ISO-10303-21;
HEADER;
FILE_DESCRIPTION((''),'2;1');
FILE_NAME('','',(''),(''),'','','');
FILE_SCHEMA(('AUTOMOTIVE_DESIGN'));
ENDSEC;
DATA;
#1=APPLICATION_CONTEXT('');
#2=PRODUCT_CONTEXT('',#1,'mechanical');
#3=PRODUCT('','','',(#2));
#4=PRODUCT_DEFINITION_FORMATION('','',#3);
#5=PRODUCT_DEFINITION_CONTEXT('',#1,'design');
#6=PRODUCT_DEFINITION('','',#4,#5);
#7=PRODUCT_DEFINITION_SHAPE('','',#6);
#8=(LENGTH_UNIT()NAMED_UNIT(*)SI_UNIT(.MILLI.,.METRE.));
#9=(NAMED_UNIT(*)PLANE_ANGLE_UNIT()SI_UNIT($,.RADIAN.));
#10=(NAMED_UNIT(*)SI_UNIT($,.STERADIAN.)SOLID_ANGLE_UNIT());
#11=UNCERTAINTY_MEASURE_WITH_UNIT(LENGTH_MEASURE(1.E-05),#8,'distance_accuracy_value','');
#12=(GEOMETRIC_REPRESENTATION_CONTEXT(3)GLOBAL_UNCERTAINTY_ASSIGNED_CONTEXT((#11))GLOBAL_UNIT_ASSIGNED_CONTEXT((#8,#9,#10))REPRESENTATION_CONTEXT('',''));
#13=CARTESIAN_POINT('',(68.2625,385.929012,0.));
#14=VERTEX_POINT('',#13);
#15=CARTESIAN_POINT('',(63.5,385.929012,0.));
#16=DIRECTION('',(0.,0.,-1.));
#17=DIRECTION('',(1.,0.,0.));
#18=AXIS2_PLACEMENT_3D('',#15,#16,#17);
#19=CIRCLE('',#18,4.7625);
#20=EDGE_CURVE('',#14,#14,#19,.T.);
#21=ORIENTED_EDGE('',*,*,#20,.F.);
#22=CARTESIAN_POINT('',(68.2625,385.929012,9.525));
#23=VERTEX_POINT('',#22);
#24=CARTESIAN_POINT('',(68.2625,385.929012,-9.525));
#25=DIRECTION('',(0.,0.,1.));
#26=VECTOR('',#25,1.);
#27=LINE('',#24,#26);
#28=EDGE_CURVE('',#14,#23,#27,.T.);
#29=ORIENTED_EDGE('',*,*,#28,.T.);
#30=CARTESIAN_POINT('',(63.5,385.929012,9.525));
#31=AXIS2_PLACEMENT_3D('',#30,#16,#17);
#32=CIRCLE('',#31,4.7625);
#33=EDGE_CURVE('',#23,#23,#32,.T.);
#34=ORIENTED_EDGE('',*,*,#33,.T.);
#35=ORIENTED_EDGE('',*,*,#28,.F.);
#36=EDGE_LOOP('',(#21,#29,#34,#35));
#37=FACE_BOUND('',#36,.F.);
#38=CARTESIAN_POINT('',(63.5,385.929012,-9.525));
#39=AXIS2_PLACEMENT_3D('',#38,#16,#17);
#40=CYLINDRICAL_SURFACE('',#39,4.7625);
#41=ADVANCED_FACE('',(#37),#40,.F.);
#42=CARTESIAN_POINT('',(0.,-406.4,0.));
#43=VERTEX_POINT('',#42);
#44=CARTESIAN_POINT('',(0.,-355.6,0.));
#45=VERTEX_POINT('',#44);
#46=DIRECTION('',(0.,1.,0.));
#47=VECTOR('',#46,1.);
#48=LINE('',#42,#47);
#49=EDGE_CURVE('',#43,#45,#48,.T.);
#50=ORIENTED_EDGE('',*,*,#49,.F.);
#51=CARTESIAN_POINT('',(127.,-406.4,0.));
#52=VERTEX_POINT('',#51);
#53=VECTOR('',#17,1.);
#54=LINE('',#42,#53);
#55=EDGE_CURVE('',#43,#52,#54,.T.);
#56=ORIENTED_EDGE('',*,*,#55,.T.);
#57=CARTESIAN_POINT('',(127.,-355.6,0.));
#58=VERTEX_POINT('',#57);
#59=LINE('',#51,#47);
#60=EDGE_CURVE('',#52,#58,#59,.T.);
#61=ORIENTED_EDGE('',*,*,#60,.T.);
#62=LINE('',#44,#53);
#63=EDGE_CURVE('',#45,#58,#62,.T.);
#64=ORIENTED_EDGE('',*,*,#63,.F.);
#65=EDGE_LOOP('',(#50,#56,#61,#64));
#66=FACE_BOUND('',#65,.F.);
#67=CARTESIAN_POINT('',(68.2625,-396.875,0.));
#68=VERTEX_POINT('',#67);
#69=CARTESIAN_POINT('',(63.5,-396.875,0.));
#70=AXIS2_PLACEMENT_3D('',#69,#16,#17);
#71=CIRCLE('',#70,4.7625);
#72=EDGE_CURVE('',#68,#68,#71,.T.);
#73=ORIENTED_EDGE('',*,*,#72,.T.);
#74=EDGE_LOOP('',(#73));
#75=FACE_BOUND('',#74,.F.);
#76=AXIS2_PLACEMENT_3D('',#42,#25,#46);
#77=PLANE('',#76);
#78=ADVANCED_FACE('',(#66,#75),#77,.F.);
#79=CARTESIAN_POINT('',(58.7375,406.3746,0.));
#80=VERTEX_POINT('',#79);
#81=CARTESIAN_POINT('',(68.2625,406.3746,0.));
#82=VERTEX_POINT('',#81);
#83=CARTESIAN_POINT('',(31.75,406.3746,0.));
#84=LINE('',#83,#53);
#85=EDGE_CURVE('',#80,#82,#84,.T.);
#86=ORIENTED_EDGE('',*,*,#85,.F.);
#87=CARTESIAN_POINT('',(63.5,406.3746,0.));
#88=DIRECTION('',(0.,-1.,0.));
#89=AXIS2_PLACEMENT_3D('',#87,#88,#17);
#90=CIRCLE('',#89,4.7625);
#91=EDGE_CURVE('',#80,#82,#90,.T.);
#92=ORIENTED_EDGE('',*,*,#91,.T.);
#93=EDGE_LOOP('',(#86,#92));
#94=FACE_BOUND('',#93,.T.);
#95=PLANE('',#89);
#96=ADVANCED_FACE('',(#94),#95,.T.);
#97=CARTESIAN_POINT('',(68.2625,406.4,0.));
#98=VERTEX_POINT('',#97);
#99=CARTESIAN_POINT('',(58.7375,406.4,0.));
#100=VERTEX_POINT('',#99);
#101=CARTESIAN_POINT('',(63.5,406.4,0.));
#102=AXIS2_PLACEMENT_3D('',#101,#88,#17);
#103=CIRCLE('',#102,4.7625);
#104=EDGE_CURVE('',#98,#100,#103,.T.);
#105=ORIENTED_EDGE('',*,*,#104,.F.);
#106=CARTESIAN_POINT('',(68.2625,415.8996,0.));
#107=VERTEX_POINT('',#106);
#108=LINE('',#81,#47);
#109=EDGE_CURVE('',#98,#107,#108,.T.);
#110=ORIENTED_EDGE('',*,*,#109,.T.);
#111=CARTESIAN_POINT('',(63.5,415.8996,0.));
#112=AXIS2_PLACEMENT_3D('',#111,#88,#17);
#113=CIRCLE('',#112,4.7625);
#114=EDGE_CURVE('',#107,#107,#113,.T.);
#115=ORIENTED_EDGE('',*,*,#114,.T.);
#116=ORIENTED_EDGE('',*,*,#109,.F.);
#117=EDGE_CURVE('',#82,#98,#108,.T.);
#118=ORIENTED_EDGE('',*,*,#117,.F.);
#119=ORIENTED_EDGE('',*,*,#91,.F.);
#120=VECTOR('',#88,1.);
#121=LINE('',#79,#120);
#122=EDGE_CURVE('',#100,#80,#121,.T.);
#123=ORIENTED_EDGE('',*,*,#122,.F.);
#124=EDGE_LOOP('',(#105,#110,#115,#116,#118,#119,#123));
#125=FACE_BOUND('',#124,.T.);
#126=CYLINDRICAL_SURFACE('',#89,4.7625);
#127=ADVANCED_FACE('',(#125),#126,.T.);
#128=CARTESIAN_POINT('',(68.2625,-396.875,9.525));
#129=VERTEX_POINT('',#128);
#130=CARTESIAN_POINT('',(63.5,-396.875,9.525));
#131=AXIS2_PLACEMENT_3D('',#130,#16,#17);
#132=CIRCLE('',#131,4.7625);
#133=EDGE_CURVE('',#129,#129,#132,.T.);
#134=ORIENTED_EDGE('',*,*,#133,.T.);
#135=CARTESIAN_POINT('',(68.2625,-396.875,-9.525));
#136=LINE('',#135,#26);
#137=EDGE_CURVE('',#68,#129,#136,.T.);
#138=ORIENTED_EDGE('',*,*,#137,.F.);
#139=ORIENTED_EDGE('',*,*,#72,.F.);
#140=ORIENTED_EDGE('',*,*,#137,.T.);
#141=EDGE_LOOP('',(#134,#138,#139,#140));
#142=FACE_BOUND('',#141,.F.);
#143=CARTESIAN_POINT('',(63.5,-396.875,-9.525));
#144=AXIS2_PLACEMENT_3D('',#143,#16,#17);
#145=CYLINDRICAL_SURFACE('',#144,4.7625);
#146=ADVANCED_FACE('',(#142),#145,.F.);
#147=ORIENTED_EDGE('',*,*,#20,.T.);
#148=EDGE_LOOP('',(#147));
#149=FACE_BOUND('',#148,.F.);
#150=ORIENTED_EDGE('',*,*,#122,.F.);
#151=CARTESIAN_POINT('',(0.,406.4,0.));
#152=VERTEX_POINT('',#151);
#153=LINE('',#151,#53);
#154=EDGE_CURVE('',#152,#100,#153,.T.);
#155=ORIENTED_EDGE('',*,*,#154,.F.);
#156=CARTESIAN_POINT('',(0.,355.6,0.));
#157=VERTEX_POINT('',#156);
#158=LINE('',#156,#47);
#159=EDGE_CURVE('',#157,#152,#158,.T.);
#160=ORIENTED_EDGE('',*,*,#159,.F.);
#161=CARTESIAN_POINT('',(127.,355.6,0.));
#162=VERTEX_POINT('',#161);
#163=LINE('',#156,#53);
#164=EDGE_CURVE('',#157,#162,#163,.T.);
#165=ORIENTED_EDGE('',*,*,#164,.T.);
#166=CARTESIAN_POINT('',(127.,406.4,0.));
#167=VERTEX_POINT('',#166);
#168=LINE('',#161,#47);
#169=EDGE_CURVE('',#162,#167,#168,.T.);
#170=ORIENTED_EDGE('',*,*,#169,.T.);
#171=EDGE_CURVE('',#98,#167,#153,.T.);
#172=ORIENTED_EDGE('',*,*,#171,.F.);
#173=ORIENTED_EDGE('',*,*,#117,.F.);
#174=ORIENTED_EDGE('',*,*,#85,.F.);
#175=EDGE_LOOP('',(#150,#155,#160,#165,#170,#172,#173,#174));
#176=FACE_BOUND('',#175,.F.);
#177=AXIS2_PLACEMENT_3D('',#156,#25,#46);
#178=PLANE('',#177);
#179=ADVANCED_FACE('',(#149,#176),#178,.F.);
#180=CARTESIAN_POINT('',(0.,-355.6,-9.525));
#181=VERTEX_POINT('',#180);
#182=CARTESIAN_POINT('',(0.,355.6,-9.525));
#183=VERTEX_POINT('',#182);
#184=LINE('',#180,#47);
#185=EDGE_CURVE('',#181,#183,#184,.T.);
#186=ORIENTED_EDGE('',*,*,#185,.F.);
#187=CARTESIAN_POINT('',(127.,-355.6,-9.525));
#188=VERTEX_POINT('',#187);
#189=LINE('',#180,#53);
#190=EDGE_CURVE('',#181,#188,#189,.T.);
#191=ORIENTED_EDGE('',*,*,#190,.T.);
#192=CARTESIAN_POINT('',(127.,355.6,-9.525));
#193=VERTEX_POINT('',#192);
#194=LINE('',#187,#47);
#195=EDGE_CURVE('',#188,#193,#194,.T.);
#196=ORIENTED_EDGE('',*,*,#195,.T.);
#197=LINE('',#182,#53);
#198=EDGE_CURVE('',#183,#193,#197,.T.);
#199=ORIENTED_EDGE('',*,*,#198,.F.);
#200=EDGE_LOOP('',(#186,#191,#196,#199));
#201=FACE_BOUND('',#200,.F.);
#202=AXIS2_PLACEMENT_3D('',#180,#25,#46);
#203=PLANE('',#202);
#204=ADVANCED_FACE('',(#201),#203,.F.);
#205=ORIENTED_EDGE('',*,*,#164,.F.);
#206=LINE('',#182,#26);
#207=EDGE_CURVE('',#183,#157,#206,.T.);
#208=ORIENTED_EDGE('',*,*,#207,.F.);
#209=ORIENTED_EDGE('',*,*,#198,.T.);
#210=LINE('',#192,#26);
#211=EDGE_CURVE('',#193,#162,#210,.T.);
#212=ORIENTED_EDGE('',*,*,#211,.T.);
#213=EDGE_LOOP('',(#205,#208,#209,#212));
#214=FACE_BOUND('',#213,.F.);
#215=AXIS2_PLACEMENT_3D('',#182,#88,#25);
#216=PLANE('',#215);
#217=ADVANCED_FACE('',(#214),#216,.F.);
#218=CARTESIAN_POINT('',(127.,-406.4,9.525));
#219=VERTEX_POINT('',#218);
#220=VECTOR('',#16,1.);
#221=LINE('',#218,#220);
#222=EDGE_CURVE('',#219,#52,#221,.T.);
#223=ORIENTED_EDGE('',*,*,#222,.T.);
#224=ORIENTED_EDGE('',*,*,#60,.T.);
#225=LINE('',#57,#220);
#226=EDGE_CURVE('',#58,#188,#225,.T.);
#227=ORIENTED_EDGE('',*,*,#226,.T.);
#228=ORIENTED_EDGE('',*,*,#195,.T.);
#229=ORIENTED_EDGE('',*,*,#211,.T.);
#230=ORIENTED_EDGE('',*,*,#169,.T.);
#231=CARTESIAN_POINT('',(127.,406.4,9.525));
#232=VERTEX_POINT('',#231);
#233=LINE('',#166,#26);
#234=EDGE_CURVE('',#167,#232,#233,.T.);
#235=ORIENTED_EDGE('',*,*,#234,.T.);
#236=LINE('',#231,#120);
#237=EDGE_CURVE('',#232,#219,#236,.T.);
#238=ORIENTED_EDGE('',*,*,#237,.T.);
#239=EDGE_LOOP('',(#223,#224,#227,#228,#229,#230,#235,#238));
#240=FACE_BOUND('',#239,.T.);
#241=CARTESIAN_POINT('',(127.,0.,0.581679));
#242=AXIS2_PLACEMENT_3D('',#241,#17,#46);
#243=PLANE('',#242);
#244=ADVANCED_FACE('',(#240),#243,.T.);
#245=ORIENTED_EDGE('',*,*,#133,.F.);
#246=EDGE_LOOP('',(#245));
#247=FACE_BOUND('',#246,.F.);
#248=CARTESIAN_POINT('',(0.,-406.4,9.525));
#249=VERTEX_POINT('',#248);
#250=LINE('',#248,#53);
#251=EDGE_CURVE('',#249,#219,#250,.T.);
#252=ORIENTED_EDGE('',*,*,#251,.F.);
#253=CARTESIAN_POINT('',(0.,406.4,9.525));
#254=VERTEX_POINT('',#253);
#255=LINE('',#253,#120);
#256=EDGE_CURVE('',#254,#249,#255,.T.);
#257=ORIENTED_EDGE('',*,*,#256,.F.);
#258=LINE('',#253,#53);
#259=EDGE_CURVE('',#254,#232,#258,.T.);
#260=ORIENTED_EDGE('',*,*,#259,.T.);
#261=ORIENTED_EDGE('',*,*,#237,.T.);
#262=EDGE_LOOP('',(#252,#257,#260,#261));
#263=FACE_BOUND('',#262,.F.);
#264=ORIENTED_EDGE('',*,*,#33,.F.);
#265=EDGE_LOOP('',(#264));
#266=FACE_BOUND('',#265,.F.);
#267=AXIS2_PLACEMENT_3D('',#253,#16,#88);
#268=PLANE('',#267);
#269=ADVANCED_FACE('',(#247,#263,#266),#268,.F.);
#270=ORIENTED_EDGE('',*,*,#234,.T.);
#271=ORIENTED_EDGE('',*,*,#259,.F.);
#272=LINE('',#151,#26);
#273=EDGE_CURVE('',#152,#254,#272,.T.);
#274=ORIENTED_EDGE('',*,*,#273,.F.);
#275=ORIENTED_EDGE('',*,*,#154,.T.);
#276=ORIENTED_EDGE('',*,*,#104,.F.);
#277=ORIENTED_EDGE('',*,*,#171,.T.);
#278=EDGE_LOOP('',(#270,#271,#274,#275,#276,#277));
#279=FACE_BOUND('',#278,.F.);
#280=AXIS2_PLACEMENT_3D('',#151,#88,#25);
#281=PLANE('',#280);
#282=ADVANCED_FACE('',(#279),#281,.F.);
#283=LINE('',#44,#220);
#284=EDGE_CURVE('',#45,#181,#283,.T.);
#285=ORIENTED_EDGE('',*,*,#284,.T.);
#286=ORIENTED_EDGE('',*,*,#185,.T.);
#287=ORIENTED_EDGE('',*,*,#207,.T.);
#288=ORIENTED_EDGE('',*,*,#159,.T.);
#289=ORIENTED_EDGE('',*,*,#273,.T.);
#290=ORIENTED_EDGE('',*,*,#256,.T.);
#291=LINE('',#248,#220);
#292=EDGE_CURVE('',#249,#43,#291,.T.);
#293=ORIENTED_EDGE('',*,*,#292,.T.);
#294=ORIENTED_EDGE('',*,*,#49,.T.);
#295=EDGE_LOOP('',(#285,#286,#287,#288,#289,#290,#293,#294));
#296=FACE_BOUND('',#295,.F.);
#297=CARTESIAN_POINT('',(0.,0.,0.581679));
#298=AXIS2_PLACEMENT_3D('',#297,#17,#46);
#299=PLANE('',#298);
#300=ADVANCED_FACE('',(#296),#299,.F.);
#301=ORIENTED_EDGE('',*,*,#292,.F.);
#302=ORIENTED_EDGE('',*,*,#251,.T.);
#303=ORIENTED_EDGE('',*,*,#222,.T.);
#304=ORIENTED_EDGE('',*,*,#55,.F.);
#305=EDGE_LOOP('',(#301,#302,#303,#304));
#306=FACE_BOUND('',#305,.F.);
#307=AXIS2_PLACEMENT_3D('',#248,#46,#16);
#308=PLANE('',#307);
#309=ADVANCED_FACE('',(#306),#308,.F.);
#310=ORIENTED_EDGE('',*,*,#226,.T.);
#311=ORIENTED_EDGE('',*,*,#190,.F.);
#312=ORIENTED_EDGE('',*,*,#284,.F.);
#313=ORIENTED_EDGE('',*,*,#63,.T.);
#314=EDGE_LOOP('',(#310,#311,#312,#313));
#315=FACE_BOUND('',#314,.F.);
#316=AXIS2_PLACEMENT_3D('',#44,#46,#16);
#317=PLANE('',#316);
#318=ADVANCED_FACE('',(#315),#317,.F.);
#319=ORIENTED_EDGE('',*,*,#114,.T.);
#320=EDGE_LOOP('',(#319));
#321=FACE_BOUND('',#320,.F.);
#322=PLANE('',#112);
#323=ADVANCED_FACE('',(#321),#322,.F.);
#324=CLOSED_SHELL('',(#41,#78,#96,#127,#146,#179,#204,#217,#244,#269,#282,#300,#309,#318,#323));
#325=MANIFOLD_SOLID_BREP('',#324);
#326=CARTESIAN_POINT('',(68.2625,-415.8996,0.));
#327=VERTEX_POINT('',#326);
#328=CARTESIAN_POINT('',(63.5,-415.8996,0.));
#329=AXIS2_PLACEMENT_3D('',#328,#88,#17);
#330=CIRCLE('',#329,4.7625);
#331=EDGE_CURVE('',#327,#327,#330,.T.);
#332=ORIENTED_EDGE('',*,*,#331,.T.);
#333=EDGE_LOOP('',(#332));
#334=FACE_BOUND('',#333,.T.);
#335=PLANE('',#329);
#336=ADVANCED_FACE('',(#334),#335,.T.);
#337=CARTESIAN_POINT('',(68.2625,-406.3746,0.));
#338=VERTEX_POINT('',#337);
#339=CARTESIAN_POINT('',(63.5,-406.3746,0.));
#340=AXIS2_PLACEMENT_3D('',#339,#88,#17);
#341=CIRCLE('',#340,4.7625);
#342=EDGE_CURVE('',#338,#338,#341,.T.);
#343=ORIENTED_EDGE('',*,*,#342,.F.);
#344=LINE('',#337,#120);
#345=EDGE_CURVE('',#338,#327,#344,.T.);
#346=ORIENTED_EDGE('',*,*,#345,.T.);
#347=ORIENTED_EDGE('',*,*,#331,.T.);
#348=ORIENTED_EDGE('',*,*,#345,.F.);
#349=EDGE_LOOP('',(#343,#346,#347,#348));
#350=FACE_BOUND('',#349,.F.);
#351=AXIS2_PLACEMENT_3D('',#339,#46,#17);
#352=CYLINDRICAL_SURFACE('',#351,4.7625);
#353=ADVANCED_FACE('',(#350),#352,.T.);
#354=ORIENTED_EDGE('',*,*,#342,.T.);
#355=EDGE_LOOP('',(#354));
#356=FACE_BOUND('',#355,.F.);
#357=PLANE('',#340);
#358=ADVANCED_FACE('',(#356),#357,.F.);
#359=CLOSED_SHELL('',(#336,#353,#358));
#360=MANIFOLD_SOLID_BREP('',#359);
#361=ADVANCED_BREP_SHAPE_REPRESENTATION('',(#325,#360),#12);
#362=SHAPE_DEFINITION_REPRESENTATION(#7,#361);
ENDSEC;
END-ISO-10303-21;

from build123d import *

# Parameters (mm, degrees)
F1_DEPTH = 127
F2_R     = 4.7625
F3_DEPTH = 25.4
F5_R     = 4.7625
F6_DEPTH = 9.525
F8_R     = 4.7625
F9_DEPTH = 9.525


with BuildPart() as f1:
    # F0 (on Right) → F1 (new body)
    with BuildSketch(Plane.YZ):
        Polygon((-355.6, 0), (-355.6, -9.525), (355.6, -9.525), (355.6, 0), (406.4, 0), (406.4, 9.525), (-406.4, 9.525), (-406.4, 0), align=None)
    extrude(amount=F1_DEPTH)

    # F2 (on face) → F3 (cut)
    with BuildSketch(Plane(origin=(0, 0, -9.525), x_dir=(1, 0, 0), z_dir=(0, 0, -1))):
        with Locations((63.5, -385.929012)):
            Circle(F2_R)
        with Locations((63.5, 396.875)):
            Circle(F2_R)
    extrude(amount=-F3_DEPTH, mode=Mode.SUBTRACT)

    # F8 (on offset) → F9 (join)
    with BuildSketch(Plane.XZ.offset(-406.3746)):
        with Locations((63.5, 0)):
            Circle(F8_R)
    extrude(amount=-F9_DEPTH)


with BuildPart() as f6:
    # F5 (on offset) → F6 (new body)
    with BuildSketch(Plane.XZ.offset(406.3746)):
        with Locations((63.5, 0)):
            Circle(F5_R)
    extrude(amount=F6_DEPTH)


solid = Compound([f1.part, f6.part])
